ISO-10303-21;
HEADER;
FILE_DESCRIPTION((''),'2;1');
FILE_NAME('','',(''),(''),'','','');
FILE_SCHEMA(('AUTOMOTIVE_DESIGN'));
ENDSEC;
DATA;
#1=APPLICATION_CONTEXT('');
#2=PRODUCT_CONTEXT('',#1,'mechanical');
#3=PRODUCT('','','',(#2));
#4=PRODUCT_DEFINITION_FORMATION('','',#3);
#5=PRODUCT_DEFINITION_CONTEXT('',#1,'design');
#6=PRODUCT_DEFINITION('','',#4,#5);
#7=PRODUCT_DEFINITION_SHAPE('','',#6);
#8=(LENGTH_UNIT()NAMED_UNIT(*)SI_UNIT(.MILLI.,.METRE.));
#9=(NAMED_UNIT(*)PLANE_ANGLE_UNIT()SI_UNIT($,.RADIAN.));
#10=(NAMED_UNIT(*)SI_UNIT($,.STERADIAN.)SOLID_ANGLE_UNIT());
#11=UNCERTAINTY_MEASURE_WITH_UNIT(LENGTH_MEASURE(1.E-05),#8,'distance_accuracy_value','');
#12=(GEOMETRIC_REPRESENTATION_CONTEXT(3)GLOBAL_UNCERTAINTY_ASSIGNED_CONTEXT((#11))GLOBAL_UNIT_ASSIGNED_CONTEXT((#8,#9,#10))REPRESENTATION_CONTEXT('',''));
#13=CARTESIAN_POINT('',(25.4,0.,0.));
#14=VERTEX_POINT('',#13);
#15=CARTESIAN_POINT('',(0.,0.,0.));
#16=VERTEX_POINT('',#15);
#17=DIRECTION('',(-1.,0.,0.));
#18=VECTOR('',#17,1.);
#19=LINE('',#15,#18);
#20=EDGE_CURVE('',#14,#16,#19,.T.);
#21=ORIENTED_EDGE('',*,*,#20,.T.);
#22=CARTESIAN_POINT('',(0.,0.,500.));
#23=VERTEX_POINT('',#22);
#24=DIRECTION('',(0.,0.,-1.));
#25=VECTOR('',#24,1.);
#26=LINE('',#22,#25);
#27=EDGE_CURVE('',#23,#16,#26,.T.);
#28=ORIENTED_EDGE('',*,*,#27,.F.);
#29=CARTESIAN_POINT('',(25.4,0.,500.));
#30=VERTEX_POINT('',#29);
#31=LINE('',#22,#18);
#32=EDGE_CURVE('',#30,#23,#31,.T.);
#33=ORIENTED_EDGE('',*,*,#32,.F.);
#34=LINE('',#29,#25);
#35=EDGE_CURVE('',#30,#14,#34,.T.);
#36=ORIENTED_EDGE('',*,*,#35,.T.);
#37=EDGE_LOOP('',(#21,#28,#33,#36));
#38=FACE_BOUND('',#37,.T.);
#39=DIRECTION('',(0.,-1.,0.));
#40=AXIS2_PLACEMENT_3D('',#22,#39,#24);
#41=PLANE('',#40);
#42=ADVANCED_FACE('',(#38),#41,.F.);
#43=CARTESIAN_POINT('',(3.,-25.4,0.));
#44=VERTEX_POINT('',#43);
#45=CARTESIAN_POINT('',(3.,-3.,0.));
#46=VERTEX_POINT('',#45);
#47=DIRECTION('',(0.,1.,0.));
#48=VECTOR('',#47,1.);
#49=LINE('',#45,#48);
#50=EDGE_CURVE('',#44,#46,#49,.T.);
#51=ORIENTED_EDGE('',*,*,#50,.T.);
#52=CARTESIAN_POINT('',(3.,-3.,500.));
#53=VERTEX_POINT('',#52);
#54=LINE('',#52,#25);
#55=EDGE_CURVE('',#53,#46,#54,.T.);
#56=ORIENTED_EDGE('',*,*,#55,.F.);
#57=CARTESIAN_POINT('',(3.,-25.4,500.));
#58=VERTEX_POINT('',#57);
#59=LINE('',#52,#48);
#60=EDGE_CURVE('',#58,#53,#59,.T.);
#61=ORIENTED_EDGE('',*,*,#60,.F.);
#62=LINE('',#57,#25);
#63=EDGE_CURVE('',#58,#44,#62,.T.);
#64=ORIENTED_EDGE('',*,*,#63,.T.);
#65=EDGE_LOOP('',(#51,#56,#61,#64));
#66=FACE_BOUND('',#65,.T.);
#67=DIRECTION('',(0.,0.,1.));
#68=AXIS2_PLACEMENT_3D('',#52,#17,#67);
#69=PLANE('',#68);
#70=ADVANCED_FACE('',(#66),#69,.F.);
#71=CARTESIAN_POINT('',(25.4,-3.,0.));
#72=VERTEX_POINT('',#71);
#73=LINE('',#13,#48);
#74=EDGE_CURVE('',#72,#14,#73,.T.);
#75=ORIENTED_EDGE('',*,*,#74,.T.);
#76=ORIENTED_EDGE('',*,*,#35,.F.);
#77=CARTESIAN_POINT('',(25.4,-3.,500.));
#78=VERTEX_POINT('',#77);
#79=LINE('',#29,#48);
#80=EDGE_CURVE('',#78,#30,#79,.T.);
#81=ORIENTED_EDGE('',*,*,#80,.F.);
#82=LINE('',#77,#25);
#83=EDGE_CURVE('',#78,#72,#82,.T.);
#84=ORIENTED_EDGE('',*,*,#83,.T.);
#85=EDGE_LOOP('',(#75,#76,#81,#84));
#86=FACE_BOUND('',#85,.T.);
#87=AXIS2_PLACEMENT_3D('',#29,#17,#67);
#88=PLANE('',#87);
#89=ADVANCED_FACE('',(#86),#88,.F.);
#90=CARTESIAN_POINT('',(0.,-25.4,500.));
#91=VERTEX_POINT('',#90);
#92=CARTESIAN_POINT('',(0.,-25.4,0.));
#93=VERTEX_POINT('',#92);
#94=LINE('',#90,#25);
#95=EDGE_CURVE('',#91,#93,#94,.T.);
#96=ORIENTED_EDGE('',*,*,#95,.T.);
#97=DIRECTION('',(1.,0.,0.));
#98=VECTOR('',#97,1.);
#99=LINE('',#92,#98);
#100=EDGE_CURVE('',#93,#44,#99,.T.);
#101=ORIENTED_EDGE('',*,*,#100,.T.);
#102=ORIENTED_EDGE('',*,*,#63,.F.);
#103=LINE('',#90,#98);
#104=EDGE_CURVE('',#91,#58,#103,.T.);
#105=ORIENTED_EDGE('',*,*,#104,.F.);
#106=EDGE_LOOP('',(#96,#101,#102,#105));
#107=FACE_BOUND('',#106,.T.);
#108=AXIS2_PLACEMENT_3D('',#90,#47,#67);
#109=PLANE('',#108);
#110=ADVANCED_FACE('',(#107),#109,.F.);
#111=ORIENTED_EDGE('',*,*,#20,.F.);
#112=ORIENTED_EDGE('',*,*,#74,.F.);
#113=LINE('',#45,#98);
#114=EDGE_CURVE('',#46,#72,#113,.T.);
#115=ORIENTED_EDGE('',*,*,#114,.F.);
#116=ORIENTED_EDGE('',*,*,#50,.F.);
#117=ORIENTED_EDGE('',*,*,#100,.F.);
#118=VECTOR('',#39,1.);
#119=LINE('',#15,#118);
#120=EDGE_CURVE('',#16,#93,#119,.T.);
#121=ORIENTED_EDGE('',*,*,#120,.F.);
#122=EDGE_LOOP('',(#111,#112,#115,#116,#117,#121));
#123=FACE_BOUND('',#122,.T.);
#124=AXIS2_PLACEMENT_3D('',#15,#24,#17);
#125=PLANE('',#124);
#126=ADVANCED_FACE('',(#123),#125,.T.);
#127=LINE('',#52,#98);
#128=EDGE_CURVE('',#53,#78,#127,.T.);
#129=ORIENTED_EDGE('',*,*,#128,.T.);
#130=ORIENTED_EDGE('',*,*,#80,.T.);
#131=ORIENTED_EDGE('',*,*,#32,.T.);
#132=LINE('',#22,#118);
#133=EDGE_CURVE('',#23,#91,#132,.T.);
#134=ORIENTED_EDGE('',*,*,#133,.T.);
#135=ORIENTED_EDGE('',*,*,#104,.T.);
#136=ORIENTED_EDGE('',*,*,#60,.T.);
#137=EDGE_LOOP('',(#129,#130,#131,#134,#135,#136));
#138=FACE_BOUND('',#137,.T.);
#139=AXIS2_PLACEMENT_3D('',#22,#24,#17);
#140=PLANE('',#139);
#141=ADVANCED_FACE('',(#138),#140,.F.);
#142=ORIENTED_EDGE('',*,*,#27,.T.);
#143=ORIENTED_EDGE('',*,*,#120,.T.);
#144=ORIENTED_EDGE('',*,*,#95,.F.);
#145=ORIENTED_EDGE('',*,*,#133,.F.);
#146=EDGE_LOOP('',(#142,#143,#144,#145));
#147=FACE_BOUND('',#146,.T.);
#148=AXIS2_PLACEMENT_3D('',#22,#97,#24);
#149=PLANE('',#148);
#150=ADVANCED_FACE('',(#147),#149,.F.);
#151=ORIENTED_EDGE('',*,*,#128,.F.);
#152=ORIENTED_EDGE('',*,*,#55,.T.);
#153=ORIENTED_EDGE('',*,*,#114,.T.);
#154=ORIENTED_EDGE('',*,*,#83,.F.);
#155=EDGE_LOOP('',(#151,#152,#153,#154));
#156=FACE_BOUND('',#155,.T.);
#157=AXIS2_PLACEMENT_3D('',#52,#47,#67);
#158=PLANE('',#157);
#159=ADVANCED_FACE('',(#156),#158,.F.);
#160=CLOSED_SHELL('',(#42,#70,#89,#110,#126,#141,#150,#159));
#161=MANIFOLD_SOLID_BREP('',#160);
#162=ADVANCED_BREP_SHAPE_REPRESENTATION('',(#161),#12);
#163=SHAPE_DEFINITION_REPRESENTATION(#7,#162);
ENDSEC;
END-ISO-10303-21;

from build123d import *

# Parameters (mm, degrees)
BOSS_EXTRUDE1_DEPTH = 500


with BuildPart() as part:
    # Sketch1 → Boss-Extrude1 (new body)
    with BuildSketch(Plane.XY):
        Polygon((0, 0), (0, -25.4), (3, -25.4), (3, -3), (25.4, -3), (25.4, 0), align=None)
    extrude(amount=BOSS_EXTRUDE1_DEPTH)


solid = part.part
